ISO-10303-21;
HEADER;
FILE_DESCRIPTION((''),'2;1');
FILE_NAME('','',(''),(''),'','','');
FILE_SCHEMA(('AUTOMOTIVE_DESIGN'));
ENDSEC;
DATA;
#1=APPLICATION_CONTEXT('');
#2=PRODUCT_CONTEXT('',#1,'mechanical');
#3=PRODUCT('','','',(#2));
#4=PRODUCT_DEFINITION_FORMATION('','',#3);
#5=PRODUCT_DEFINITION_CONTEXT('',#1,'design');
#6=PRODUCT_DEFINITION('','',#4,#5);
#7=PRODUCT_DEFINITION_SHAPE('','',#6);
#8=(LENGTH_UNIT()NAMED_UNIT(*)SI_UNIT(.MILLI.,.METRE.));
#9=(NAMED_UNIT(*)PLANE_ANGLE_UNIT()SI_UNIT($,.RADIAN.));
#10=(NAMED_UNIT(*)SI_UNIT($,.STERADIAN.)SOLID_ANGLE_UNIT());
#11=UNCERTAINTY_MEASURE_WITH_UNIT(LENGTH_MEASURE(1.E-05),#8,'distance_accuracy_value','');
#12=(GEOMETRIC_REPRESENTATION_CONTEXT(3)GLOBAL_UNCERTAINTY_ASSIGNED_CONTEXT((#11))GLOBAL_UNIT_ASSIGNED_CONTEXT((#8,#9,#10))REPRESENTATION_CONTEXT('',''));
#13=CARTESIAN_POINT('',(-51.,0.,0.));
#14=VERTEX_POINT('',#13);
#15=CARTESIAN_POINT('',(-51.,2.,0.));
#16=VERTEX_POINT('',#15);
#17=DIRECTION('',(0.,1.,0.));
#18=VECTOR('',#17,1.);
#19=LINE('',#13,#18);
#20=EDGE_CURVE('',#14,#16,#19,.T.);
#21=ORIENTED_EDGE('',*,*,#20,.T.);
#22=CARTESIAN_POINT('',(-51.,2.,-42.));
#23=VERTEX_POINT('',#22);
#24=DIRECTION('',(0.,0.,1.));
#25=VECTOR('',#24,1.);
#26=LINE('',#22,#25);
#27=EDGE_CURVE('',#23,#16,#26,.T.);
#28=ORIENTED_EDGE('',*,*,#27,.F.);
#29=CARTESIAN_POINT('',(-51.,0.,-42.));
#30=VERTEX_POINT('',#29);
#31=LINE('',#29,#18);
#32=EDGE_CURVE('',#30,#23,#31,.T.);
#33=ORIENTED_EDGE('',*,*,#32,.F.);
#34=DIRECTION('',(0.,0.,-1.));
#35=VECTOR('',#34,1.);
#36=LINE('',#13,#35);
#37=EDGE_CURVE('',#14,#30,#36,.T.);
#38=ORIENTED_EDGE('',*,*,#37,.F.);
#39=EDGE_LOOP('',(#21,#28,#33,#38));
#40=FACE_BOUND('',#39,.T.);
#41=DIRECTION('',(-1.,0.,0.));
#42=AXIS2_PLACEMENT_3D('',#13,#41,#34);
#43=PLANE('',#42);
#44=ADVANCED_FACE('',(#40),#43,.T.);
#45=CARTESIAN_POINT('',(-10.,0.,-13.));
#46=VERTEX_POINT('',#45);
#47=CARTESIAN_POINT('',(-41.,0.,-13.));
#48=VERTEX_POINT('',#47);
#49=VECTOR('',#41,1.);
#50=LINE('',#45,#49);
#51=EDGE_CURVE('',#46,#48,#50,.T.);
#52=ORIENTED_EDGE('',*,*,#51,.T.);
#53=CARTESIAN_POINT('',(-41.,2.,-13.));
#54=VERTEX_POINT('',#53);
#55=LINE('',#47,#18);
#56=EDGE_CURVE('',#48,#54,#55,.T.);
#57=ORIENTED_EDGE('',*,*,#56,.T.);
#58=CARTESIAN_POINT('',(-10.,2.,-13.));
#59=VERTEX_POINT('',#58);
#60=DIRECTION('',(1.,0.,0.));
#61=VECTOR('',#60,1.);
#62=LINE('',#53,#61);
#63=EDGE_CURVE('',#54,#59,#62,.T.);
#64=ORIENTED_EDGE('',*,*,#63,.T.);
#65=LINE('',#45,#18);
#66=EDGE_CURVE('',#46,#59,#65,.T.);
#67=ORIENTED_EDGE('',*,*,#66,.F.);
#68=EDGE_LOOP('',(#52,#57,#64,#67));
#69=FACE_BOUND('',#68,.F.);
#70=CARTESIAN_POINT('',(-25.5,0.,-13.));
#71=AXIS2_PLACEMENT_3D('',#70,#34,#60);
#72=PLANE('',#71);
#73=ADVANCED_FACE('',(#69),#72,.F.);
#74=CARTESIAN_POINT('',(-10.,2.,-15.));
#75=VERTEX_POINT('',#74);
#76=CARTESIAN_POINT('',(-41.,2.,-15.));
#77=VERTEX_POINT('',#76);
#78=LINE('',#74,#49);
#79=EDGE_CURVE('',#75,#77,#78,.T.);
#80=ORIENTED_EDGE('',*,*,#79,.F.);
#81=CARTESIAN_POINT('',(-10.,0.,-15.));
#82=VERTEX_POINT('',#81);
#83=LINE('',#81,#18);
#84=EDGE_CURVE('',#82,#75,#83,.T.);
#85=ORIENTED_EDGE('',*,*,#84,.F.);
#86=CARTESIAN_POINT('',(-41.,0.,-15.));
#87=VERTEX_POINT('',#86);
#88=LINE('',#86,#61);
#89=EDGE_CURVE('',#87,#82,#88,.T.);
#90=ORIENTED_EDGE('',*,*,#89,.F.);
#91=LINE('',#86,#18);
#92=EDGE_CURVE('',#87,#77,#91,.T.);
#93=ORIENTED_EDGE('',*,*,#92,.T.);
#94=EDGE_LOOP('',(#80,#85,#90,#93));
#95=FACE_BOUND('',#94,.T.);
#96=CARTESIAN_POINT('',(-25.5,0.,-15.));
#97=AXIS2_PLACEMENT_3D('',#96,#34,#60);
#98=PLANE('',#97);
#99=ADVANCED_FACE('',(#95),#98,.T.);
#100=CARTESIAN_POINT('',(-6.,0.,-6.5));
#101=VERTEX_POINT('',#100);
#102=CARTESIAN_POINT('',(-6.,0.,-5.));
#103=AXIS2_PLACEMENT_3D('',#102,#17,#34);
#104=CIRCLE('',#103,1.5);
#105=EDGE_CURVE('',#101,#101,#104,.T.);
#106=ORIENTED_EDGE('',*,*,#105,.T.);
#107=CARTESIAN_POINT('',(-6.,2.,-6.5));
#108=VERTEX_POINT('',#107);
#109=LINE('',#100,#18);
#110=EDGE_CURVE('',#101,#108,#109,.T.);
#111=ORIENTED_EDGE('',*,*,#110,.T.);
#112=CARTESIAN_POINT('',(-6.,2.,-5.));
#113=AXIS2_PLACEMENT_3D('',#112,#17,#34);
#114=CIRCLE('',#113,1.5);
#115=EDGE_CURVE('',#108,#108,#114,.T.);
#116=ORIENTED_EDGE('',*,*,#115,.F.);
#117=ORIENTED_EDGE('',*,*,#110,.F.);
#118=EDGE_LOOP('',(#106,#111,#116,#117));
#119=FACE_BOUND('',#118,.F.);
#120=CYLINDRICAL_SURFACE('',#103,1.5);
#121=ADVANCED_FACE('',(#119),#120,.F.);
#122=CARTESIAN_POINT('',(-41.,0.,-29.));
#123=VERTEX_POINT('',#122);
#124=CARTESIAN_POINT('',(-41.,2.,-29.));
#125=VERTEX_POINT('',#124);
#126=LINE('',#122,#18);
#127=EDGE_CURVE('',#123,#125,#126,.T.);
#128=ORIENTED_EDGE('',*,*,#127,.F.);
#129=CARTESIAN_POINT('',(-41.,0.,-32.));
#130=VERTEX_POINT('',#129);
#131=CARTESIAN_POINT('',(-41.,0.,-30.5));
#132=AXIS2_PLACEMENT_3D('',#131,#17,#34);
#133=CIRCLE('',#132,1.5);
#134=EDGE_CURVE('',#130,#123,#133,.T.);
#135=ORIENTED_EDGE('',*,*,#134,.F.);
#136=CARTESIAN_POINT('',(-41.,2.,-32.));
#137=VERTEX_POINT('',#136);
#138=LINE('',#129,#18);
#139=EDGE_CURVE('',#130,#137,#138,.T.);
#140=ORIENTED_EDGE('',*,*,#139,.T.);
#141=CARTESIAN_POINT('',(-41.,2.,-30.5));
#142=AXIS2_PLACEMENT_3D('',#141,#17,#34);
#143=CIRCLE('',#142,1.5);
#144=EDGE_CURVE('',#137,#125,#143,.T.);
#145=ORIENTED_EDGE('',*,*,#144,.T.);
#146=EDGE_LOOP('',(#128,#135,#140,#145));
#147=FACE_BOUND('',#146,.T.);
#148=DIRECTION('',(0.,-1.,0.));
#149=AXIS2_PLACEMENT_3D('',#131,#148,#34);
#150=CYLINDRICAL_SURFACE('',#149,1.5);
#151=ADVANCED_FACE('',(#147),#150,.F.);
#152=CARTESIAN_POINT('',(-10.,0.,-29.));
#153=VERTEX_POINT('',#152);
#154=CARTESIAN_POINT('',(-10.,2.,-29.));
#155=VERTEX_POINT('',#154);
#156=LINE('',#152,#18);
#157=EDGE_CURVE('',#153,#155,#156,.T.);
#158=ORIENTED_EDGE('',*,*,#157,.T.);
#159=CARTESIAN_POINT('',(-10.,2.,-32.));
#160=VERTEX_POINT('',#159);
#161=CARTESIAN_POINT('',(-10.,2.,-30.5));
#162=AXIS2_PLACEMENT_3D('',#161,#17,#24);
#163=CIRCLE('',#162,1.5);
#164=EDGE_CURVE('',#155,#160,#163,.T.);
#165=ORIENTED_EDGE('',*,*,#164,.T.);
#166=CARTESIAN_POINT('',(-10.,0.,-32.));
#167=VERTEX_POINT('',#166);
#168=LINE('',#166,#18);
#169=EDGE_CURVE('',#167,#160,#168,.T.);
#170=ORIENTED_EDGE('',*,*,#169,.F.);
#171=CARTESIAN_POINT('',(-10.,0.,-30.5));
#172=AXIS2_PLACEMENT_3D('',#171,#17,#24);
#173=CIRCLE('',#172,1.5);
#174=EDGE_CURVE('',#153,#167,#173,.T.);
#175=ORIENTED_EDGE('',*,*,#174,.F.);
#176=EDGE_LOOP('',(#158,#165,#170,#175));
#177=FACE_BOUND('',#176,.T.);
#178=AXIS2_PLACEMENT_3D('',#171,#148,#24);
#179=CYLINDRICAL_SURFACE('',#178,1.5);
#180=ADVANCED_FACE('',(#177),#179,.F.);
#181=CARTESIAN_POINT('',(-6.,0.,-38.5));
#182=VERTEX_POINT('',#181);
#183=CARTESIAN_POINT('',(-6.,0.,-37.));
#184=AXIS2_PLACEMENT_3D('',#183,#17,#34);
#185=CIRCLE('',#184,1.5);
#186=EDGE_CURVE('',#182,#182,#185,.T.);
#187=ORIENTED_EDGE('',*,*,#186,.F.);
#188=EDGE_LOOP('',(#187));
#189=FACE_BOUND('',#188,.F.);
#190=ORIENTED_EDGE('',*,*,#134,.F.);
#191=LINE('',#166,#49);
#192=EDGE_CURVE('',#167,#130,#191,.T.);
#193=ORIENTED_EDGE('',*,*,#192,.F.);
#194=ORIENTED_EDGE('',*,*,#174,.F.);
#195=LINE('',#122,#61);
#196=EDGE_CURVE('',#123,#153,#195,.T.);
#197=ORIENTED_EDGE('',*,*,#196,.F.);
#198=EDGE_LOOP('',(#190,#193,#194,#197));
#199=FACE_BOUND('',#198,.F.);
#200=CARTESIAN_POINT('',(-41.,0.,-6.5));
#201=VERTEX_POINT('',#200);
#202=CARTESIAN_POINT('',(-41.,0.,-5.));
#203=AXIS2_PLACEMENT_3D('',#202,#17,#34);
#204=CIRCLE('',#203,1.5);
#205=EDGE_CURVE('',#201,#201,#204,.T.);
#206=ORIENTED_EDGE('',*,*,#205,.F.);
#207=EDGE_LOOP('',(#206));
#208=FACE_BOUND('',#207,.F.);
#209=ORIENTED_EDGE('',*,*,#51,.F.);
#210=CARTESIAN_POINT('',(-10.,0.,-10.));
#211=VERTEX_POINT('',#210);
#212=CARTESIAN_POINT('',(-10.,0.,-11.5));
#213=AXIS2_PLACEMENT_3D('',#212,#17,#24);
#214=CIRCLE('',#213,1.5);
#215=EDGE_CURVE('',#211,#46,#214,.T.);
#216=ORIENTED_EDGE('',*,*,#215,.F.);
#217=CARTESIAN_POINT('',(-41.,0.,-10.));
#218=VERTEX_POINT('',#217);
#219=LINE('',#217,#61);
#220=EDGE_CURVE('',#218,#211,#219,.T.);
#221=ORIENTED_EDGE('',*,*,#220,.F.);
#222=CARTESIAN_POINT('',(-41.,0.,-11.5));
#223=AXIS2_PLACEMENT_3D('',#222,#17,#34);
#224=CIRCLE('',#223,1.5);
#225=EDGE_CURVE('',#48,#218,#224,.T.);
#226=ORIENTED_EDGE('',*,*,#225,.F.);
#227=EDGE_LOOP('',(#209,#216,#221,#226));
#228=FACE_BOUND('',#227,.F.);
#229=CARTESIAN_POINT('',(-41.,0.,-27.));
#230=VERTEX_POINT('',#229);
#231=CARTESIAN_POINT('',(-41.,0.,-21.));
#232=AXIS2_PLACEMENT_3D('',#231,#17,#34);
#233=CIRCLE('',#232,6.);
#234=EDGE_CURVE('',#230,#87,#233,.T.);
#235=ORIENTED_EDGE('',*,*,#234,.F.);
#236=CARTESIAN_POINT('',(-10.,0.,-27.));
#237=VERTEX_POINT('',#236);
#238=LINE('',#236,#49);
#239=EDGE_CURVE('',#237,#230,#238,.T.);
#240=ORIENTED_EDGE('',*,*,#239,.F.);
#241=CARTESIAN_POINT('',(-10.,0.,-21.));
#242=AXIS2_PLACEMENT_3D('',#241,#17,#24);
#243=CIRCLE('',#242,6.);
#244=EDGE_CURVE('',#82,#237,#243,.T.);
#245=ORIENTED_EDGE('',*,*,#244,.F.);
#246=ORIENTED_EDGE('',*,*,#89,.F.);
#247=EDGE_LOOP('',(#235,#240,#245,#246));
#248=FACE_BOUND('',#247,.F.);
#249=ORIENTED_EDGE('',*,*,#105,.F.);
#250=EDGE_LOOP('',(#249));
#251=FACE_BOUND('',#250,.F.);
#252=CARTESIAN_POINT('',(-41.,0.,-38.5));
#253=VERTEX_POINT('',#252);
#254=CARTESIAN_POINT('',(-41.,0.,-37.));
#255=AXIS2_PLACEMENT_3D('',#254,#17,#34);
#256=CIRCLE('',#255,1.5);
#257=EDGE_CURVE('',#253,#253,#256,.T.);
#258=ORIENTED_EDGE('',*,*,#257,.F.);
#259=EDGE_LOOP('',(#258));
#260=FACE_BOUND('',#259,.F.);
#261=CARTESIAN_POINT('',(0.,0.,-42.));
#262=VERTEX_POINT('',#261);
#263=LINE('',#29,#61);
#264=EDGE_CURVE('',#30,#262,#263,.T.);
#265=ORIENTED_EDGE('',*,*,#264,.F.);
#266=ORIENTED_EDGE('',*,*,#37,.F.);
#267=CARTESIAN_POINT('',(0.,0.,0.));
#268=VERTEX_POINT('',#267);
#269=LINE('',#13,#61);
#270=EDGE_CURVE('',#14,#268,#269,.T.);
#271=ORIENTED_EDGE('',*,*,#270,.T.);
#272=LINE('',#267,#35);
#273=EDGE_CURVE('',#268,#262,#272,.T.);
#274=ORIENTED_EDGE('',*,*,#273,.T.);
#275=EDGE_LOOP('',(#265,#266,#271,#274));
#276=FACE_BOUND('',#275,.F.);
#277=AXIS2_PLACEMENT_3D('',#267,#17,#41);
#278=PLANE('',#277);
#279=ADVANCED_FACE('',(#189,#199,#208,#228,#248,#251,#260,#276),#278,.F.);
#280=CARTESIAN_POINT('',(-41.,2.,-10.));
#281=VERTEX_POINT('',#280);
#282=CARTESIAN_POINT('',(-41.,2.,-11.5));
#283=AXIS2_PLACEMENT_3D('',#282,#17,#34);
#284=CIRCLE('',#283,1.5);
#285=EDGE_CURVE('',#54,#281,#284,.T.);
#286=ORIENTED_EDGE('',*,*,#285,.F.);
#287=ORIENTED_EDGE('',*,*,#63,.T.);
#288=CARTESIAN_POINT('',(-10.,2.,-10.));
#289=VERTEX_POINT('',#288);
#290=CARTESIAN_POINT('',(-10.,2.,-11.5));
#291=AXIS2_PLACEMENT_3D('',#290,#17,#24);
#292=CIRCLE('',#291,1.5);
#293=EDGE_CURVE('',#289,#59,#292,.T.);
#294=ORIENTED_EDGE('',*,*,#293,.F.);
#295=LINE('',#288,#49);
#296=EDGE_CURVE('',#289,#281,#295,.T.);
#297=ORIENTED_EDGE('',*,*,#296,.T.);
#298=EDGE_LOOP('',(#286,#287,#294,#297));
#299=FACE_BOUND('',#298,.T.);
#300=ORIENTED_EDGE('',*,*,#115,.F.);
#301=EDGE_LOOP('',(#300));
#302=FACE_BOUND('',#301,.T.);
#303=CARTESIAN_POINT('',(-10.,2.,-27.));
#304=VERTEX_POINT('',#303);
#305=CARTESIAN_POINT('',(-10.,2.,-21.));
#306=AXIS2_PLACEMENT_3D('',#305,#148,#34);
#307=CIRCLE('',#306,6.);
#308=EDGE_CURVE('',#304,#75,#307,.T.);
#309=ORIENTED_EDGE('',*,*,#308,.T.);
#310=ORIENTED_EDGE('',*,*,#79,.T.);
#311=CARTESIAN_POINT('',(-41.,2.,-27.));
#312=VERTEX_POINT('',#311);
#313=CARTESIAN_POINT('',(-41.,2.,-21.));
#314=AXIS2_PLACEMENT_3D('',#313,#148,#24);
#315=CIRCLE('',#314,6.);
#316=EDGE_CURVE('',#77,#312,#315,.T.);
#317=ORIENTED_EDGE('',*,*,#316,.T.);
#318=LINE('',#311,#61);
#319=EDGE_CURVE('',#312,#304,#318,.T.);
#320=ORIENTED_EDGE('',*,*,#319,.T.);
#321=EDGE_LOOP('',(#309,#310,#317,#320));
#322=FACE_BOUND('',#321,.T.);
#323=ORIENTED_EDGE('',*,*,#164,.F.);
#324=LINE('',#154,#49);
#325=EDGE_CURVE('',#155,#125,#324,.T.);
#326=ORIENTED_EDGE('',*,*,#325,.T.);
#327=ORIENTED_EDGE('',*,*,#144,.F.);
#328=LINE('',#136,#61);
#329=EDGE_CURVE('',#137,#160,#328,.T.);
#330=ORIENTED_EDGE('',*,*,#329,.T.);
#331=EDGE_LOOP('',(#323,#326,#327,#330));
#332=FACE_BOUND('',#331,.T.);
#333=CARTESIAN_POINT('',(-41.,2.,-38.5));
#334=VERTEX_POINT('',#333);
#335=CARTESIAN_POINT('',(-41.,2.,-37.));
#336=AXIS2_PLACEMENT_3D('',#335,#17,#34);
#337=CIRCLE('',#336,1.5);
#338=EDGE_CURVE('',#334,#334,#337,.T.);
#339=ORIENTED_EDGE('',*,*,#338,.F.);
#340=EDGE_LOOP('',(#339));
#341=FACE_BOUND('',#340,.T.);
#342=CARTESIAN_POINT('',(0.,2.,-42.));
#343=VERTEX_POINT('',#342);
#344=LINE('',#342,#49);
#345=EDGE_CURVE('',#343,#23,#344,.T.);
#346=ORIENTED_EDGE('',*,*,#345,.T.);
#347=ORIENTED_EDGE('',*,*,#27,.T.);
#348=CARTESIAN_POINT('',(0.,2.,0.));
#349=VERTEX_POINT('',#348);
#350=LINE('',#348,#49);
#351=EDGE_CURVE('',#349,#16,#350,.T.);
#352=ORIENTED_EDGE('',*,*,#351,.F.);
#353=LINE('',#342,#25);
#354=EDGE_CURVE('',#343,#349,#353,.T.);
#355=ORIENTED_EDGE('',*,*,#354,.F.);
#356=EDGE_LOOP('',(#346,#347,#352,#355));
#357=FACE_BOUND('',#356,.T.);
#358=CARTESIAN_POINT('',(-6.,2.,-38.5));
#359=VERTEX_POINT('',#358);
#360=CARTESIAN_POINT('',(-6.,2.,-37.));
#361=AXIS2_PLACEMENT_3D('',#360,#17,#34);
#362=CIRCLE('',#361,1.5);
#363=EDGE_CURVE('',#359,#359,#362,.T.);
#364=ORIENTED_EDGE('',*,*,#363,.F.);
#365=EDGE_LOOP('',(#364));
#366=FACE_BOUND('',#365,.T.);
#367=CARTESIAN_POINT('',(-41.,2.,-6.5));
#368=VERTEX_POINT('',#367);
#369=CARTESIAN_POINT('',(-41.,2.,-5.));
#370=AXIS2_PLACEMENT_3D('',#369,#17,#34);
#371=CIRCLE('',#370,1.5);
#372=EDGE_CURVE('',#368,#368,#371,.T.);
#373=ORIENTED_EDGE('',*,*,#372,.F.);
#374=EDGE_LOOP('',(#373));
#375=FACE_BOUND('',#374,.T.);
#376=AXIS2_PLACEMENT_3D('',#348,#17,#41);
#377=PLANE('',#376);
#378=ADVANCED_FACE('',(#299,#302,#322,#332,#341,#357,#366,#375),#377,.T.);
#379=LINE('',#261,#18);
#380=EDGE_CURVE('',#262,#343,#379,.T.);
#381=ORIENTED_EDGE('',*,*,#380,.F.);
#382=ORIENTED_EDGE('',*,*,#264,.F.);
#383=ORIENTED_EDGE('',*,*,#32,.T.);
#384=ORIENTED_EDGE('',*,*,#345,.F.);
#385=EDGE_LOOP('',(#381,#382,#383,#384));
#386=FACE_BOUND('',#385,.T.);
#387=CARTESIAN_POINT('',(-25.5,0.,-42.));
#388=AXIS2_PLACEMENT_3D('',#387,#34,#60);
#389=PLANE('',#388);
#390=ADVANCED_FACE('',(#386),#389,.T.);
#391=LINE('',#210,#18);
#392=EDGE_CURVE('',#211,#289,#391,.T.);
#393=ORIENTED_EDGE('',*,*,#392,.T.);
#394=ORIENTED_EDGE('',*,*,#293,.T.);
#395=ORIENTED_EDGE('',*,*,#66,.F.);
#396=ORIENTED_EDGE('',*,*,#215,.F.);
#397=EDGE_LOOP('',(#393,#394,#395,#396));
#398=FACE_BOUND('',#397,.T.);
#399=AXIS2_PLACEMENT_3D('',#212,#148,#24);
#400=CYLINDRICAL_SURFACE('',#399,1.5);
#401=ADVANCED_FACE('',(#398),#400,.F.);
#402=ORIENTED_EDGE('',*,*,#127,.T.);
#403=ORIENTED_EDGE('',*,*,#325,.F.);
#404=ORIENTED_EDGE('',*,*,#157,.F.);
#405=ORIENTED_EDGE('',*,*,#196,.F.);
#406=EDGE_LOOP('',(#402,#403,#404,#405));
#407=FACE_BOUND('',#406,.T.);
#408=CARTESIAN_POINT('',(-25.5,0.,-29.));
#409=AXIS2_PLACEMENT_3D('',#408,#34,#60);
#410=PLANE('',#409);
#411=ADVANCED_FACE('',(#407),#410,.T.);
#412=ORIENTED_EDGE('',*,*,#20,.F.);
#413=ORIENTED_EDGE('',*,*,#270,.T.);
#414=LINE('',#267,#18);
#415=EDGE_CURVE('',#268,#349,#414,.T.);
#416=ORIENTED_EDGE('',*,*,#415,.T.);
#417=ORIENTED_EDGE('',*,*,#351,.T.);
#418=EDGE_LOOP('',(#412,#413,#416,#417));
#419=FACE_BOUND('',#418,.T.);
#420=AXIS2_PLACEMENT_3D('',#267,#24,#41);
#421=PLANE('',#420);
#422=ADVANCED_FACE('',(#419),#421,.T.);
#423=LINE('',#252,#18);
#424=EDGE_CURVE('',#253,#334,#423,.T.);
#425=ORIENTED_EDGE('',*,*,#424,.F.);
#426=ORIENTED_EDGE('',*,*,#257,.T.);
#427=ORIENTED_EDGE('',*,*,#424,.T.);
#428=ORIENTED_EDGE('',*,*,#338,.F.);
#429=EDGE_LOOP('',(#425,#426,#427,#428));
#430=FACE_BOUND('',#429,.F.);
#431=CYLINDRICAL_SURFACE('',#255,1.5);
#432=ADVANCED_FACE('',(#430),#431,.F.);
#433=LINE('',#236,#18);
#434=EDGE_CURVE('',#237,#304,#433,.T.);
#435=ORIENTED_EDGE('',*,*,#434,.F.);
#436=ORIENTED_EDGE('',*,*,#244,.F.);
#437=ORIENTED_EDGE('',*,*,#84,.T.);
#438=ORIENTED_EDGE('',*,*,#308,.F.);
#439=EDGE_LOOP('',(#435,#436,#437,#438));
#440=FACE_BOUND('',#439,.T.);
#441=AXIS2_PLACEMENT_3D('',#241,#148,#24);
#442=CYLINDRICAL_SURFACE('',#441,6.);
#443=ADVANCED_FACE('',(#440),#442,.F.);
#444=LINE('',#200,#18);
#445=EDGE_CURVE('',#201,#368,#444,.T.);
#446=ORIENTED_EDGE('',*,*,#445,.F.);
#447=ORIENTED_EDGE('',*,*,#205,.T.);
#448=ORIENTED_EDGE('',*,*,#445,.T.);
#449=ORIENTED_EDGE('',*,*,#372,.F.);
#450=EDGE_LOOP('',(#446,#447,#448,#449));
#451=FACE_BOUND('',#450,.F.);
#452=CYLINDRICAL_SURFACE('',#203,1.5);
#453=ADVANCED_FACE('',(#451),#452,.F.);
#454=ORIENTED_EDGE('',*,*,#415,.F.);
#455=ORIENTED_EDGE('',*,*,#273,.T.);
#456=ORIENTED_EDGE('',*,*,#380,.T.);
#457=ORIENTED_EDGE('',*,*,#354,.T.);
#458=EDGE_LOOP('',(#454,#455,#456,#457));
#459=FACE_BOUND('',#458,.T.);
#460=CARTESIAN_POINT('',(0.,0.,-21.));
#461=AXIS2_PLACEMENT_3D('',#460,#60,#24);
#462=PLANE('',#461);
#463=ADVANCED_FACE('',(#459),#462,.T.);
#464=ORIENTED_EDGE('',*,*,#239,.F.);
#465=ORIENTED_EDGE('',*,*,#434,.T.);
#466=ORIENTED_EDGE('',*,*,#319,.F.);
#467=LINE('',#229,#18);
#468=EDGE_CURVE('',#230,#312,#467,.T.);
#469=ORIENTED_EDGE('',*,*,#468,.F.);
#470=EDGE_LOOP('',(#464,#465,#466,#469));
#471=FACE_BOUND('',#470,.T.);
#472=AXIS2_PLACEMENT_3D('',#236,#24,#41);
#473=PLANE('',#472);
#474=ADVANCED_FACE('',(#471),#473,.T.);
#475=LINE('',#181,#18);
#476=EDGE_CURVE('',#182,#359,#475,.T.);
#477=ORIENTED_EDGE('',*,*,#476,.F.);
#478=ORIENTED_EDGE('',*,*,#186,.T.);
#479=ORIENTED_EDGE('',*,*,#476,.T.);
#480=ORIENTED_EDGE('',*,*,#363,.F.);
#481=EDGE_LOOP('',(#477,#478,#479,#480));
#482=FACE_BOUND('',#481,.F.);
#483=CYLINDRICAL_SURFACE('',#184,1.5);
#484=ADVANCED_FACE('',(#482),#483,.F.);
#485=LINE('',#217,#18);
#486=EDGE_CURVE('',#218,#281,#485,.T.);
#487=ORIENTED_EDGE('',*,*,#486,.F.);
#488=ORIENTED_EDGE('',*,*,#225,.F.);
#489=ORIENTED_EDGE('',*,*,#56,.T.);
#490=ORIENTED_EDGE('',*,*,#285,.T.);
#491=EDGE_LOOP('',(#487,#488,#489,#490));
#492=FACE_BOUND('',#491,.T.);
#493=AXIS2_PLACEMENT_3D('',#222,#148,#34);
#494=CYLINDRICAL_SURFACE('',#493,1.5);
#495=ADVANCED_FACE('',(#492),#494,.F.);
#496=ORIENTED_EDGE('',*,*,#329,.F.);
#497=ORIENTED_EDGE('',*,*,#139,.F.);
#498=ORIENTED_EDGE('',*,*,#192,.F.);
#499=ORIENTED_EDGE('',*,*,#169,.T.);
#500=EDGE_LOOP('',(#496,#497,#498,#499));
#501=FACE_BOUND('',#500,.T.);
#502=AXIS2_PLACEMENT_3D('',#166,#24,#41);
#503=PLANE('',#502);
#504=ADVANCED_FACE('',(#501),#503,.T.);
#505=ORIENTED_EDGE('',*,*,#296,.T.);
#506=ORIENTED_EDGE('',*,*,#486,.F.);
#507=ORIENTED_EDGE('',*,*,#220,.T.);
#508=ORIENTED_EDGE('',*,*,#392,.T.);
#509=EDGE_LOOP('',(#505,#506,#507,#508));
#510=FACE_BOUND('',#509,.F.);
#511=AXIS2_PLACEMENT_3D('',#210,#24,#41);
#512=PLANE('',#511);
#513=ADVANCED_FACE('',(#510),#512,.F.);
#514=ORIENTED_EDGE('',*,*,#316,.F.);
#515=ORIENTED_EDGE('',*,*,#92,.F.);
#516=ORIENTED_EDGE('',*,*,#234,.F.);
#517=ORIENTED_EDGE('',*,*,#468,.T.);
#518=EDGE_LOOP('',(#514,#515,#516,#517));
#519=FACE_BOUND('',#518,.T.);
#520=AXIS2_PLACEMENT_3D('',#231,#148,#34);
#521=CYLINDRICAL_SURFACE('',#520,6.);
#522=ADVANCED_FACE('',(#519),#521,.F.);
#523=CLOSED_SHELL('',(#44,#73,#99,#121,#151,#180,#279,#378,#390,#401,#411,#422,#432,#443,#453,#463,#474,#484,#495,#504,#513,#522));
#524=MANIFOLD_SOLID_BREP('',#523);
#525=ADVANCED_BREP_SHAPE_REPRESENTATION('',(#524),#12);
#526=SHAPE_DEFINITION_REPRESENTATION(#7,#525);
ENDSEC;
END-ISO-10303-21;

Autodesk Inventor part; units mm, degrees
ref_plane "YZ Plane" through (0, 0, 0) normal (1, 0, 0) x (0, 1, 0)
ref_plane "XZ Plane" through (0, 0, 0) normal (0, 1, 0) x (-1, 0, 0)
ref_plane "XY Plane" through (0, 0, 0) normal (0, 0, 1) x (1, 0, 0)
sketch "Sketch1" plane through (0, 0, 0) normal (0, 1, 0) x (-1, 0, 0)
  line L0 (0, 0) -> (51, 0)
  line L1 (51, 0) -> (51, -42)
  line L2 (51, -42) -> (0, -42)
  line L3 (0, -42) -> (0, 0)
  line L4 (51, -21) -> (0, -21)
  line L5 (25.5, 0) -> (25.5, -42)
  line L6 (41, -21) -> (10, -21) construction
  line L7 (41, -15) -> (10, -15)
  line L8 (10, -27) -> (41, -27)
  arc A0 (41, -27) -> (41, -15) centre (41, -21) ccw
  arc A1 (10, -15) -> (10, -27) centre (10, -21) ccw
  line L9 (41, -30.5) -> (10, -30.5) construction
  line L10 (41, -29) -> (10, -29)
  line L11 (10, -32) -> (41, -32)
  arc A2 (41, -32) -> (41, -29) centre (41, -30.5) ccw
  arc A3 (10, -29) -> (10, -32) centre (10, -30.5) ccw
  line L12 (41, -13) -> (10, -13)
  line L13 (10, -10) -> (41, -10)
  arc A4 (41, -13) -> (41, -10) centre (41, -11.5) ccw
  arc A5 (10, -10) -> (10, -13) centre (10, -11.5) ccw
  point P0 (41, -5)
  point P1 (41, -37)
  point P2 (10, -5)
  point P3 (10, -37)
  point P4 (25.5, -21)
  point P5 (35.9893, -30.5)
  point P6 (25.5, -30.5)
  point P7 (6, -5)
  point P8 (6, -37)
  dimension "d0" = 51
  dimension "d1" = 42
  dimension "d2" = 10
  dimension "d3" = 5
  dimension "d4" = 10
  dimension "d5" = 10
  dimension "d6" = 12
  dimension "d7" = 3.5
  dimension "d8" = 3
  dimension "d18" = 6
  dimension "d19" = 6
  dimension "d20" = 3.5
extrude "Extrusion1" add sketch "Sketch1" along normal blind 2 contours L0 L5 L13 A5 L12 L7 A1 L4 L3 | L0 L1 L4 A0 L7 L5 L12 A4 L13 | L4 A1 L8 L5 L10 A3 L11 L2 L3 | L1 L2 L5 L11 A2 L10 L8 A0 L4
hole "Hole1" at (-41, 0, -5) at (-41, 0, -37) at (-41, 0, -21) at (-10, 0, -21) at (-35.9893, 0, -30.5) at (-41, 0, -30.5) at (-10, 0, -30.5) at (-41, 0, -11.5) at (-10, 0, -11.5) at (-6, 0, -5) at (-6, 0, -37) direction (0, 1, 0) diameter 3 depth 43.75 tip angle 118
equation "\"d20\" = d7"
properties part number "temsion1" material "アルミニウム 6061"
